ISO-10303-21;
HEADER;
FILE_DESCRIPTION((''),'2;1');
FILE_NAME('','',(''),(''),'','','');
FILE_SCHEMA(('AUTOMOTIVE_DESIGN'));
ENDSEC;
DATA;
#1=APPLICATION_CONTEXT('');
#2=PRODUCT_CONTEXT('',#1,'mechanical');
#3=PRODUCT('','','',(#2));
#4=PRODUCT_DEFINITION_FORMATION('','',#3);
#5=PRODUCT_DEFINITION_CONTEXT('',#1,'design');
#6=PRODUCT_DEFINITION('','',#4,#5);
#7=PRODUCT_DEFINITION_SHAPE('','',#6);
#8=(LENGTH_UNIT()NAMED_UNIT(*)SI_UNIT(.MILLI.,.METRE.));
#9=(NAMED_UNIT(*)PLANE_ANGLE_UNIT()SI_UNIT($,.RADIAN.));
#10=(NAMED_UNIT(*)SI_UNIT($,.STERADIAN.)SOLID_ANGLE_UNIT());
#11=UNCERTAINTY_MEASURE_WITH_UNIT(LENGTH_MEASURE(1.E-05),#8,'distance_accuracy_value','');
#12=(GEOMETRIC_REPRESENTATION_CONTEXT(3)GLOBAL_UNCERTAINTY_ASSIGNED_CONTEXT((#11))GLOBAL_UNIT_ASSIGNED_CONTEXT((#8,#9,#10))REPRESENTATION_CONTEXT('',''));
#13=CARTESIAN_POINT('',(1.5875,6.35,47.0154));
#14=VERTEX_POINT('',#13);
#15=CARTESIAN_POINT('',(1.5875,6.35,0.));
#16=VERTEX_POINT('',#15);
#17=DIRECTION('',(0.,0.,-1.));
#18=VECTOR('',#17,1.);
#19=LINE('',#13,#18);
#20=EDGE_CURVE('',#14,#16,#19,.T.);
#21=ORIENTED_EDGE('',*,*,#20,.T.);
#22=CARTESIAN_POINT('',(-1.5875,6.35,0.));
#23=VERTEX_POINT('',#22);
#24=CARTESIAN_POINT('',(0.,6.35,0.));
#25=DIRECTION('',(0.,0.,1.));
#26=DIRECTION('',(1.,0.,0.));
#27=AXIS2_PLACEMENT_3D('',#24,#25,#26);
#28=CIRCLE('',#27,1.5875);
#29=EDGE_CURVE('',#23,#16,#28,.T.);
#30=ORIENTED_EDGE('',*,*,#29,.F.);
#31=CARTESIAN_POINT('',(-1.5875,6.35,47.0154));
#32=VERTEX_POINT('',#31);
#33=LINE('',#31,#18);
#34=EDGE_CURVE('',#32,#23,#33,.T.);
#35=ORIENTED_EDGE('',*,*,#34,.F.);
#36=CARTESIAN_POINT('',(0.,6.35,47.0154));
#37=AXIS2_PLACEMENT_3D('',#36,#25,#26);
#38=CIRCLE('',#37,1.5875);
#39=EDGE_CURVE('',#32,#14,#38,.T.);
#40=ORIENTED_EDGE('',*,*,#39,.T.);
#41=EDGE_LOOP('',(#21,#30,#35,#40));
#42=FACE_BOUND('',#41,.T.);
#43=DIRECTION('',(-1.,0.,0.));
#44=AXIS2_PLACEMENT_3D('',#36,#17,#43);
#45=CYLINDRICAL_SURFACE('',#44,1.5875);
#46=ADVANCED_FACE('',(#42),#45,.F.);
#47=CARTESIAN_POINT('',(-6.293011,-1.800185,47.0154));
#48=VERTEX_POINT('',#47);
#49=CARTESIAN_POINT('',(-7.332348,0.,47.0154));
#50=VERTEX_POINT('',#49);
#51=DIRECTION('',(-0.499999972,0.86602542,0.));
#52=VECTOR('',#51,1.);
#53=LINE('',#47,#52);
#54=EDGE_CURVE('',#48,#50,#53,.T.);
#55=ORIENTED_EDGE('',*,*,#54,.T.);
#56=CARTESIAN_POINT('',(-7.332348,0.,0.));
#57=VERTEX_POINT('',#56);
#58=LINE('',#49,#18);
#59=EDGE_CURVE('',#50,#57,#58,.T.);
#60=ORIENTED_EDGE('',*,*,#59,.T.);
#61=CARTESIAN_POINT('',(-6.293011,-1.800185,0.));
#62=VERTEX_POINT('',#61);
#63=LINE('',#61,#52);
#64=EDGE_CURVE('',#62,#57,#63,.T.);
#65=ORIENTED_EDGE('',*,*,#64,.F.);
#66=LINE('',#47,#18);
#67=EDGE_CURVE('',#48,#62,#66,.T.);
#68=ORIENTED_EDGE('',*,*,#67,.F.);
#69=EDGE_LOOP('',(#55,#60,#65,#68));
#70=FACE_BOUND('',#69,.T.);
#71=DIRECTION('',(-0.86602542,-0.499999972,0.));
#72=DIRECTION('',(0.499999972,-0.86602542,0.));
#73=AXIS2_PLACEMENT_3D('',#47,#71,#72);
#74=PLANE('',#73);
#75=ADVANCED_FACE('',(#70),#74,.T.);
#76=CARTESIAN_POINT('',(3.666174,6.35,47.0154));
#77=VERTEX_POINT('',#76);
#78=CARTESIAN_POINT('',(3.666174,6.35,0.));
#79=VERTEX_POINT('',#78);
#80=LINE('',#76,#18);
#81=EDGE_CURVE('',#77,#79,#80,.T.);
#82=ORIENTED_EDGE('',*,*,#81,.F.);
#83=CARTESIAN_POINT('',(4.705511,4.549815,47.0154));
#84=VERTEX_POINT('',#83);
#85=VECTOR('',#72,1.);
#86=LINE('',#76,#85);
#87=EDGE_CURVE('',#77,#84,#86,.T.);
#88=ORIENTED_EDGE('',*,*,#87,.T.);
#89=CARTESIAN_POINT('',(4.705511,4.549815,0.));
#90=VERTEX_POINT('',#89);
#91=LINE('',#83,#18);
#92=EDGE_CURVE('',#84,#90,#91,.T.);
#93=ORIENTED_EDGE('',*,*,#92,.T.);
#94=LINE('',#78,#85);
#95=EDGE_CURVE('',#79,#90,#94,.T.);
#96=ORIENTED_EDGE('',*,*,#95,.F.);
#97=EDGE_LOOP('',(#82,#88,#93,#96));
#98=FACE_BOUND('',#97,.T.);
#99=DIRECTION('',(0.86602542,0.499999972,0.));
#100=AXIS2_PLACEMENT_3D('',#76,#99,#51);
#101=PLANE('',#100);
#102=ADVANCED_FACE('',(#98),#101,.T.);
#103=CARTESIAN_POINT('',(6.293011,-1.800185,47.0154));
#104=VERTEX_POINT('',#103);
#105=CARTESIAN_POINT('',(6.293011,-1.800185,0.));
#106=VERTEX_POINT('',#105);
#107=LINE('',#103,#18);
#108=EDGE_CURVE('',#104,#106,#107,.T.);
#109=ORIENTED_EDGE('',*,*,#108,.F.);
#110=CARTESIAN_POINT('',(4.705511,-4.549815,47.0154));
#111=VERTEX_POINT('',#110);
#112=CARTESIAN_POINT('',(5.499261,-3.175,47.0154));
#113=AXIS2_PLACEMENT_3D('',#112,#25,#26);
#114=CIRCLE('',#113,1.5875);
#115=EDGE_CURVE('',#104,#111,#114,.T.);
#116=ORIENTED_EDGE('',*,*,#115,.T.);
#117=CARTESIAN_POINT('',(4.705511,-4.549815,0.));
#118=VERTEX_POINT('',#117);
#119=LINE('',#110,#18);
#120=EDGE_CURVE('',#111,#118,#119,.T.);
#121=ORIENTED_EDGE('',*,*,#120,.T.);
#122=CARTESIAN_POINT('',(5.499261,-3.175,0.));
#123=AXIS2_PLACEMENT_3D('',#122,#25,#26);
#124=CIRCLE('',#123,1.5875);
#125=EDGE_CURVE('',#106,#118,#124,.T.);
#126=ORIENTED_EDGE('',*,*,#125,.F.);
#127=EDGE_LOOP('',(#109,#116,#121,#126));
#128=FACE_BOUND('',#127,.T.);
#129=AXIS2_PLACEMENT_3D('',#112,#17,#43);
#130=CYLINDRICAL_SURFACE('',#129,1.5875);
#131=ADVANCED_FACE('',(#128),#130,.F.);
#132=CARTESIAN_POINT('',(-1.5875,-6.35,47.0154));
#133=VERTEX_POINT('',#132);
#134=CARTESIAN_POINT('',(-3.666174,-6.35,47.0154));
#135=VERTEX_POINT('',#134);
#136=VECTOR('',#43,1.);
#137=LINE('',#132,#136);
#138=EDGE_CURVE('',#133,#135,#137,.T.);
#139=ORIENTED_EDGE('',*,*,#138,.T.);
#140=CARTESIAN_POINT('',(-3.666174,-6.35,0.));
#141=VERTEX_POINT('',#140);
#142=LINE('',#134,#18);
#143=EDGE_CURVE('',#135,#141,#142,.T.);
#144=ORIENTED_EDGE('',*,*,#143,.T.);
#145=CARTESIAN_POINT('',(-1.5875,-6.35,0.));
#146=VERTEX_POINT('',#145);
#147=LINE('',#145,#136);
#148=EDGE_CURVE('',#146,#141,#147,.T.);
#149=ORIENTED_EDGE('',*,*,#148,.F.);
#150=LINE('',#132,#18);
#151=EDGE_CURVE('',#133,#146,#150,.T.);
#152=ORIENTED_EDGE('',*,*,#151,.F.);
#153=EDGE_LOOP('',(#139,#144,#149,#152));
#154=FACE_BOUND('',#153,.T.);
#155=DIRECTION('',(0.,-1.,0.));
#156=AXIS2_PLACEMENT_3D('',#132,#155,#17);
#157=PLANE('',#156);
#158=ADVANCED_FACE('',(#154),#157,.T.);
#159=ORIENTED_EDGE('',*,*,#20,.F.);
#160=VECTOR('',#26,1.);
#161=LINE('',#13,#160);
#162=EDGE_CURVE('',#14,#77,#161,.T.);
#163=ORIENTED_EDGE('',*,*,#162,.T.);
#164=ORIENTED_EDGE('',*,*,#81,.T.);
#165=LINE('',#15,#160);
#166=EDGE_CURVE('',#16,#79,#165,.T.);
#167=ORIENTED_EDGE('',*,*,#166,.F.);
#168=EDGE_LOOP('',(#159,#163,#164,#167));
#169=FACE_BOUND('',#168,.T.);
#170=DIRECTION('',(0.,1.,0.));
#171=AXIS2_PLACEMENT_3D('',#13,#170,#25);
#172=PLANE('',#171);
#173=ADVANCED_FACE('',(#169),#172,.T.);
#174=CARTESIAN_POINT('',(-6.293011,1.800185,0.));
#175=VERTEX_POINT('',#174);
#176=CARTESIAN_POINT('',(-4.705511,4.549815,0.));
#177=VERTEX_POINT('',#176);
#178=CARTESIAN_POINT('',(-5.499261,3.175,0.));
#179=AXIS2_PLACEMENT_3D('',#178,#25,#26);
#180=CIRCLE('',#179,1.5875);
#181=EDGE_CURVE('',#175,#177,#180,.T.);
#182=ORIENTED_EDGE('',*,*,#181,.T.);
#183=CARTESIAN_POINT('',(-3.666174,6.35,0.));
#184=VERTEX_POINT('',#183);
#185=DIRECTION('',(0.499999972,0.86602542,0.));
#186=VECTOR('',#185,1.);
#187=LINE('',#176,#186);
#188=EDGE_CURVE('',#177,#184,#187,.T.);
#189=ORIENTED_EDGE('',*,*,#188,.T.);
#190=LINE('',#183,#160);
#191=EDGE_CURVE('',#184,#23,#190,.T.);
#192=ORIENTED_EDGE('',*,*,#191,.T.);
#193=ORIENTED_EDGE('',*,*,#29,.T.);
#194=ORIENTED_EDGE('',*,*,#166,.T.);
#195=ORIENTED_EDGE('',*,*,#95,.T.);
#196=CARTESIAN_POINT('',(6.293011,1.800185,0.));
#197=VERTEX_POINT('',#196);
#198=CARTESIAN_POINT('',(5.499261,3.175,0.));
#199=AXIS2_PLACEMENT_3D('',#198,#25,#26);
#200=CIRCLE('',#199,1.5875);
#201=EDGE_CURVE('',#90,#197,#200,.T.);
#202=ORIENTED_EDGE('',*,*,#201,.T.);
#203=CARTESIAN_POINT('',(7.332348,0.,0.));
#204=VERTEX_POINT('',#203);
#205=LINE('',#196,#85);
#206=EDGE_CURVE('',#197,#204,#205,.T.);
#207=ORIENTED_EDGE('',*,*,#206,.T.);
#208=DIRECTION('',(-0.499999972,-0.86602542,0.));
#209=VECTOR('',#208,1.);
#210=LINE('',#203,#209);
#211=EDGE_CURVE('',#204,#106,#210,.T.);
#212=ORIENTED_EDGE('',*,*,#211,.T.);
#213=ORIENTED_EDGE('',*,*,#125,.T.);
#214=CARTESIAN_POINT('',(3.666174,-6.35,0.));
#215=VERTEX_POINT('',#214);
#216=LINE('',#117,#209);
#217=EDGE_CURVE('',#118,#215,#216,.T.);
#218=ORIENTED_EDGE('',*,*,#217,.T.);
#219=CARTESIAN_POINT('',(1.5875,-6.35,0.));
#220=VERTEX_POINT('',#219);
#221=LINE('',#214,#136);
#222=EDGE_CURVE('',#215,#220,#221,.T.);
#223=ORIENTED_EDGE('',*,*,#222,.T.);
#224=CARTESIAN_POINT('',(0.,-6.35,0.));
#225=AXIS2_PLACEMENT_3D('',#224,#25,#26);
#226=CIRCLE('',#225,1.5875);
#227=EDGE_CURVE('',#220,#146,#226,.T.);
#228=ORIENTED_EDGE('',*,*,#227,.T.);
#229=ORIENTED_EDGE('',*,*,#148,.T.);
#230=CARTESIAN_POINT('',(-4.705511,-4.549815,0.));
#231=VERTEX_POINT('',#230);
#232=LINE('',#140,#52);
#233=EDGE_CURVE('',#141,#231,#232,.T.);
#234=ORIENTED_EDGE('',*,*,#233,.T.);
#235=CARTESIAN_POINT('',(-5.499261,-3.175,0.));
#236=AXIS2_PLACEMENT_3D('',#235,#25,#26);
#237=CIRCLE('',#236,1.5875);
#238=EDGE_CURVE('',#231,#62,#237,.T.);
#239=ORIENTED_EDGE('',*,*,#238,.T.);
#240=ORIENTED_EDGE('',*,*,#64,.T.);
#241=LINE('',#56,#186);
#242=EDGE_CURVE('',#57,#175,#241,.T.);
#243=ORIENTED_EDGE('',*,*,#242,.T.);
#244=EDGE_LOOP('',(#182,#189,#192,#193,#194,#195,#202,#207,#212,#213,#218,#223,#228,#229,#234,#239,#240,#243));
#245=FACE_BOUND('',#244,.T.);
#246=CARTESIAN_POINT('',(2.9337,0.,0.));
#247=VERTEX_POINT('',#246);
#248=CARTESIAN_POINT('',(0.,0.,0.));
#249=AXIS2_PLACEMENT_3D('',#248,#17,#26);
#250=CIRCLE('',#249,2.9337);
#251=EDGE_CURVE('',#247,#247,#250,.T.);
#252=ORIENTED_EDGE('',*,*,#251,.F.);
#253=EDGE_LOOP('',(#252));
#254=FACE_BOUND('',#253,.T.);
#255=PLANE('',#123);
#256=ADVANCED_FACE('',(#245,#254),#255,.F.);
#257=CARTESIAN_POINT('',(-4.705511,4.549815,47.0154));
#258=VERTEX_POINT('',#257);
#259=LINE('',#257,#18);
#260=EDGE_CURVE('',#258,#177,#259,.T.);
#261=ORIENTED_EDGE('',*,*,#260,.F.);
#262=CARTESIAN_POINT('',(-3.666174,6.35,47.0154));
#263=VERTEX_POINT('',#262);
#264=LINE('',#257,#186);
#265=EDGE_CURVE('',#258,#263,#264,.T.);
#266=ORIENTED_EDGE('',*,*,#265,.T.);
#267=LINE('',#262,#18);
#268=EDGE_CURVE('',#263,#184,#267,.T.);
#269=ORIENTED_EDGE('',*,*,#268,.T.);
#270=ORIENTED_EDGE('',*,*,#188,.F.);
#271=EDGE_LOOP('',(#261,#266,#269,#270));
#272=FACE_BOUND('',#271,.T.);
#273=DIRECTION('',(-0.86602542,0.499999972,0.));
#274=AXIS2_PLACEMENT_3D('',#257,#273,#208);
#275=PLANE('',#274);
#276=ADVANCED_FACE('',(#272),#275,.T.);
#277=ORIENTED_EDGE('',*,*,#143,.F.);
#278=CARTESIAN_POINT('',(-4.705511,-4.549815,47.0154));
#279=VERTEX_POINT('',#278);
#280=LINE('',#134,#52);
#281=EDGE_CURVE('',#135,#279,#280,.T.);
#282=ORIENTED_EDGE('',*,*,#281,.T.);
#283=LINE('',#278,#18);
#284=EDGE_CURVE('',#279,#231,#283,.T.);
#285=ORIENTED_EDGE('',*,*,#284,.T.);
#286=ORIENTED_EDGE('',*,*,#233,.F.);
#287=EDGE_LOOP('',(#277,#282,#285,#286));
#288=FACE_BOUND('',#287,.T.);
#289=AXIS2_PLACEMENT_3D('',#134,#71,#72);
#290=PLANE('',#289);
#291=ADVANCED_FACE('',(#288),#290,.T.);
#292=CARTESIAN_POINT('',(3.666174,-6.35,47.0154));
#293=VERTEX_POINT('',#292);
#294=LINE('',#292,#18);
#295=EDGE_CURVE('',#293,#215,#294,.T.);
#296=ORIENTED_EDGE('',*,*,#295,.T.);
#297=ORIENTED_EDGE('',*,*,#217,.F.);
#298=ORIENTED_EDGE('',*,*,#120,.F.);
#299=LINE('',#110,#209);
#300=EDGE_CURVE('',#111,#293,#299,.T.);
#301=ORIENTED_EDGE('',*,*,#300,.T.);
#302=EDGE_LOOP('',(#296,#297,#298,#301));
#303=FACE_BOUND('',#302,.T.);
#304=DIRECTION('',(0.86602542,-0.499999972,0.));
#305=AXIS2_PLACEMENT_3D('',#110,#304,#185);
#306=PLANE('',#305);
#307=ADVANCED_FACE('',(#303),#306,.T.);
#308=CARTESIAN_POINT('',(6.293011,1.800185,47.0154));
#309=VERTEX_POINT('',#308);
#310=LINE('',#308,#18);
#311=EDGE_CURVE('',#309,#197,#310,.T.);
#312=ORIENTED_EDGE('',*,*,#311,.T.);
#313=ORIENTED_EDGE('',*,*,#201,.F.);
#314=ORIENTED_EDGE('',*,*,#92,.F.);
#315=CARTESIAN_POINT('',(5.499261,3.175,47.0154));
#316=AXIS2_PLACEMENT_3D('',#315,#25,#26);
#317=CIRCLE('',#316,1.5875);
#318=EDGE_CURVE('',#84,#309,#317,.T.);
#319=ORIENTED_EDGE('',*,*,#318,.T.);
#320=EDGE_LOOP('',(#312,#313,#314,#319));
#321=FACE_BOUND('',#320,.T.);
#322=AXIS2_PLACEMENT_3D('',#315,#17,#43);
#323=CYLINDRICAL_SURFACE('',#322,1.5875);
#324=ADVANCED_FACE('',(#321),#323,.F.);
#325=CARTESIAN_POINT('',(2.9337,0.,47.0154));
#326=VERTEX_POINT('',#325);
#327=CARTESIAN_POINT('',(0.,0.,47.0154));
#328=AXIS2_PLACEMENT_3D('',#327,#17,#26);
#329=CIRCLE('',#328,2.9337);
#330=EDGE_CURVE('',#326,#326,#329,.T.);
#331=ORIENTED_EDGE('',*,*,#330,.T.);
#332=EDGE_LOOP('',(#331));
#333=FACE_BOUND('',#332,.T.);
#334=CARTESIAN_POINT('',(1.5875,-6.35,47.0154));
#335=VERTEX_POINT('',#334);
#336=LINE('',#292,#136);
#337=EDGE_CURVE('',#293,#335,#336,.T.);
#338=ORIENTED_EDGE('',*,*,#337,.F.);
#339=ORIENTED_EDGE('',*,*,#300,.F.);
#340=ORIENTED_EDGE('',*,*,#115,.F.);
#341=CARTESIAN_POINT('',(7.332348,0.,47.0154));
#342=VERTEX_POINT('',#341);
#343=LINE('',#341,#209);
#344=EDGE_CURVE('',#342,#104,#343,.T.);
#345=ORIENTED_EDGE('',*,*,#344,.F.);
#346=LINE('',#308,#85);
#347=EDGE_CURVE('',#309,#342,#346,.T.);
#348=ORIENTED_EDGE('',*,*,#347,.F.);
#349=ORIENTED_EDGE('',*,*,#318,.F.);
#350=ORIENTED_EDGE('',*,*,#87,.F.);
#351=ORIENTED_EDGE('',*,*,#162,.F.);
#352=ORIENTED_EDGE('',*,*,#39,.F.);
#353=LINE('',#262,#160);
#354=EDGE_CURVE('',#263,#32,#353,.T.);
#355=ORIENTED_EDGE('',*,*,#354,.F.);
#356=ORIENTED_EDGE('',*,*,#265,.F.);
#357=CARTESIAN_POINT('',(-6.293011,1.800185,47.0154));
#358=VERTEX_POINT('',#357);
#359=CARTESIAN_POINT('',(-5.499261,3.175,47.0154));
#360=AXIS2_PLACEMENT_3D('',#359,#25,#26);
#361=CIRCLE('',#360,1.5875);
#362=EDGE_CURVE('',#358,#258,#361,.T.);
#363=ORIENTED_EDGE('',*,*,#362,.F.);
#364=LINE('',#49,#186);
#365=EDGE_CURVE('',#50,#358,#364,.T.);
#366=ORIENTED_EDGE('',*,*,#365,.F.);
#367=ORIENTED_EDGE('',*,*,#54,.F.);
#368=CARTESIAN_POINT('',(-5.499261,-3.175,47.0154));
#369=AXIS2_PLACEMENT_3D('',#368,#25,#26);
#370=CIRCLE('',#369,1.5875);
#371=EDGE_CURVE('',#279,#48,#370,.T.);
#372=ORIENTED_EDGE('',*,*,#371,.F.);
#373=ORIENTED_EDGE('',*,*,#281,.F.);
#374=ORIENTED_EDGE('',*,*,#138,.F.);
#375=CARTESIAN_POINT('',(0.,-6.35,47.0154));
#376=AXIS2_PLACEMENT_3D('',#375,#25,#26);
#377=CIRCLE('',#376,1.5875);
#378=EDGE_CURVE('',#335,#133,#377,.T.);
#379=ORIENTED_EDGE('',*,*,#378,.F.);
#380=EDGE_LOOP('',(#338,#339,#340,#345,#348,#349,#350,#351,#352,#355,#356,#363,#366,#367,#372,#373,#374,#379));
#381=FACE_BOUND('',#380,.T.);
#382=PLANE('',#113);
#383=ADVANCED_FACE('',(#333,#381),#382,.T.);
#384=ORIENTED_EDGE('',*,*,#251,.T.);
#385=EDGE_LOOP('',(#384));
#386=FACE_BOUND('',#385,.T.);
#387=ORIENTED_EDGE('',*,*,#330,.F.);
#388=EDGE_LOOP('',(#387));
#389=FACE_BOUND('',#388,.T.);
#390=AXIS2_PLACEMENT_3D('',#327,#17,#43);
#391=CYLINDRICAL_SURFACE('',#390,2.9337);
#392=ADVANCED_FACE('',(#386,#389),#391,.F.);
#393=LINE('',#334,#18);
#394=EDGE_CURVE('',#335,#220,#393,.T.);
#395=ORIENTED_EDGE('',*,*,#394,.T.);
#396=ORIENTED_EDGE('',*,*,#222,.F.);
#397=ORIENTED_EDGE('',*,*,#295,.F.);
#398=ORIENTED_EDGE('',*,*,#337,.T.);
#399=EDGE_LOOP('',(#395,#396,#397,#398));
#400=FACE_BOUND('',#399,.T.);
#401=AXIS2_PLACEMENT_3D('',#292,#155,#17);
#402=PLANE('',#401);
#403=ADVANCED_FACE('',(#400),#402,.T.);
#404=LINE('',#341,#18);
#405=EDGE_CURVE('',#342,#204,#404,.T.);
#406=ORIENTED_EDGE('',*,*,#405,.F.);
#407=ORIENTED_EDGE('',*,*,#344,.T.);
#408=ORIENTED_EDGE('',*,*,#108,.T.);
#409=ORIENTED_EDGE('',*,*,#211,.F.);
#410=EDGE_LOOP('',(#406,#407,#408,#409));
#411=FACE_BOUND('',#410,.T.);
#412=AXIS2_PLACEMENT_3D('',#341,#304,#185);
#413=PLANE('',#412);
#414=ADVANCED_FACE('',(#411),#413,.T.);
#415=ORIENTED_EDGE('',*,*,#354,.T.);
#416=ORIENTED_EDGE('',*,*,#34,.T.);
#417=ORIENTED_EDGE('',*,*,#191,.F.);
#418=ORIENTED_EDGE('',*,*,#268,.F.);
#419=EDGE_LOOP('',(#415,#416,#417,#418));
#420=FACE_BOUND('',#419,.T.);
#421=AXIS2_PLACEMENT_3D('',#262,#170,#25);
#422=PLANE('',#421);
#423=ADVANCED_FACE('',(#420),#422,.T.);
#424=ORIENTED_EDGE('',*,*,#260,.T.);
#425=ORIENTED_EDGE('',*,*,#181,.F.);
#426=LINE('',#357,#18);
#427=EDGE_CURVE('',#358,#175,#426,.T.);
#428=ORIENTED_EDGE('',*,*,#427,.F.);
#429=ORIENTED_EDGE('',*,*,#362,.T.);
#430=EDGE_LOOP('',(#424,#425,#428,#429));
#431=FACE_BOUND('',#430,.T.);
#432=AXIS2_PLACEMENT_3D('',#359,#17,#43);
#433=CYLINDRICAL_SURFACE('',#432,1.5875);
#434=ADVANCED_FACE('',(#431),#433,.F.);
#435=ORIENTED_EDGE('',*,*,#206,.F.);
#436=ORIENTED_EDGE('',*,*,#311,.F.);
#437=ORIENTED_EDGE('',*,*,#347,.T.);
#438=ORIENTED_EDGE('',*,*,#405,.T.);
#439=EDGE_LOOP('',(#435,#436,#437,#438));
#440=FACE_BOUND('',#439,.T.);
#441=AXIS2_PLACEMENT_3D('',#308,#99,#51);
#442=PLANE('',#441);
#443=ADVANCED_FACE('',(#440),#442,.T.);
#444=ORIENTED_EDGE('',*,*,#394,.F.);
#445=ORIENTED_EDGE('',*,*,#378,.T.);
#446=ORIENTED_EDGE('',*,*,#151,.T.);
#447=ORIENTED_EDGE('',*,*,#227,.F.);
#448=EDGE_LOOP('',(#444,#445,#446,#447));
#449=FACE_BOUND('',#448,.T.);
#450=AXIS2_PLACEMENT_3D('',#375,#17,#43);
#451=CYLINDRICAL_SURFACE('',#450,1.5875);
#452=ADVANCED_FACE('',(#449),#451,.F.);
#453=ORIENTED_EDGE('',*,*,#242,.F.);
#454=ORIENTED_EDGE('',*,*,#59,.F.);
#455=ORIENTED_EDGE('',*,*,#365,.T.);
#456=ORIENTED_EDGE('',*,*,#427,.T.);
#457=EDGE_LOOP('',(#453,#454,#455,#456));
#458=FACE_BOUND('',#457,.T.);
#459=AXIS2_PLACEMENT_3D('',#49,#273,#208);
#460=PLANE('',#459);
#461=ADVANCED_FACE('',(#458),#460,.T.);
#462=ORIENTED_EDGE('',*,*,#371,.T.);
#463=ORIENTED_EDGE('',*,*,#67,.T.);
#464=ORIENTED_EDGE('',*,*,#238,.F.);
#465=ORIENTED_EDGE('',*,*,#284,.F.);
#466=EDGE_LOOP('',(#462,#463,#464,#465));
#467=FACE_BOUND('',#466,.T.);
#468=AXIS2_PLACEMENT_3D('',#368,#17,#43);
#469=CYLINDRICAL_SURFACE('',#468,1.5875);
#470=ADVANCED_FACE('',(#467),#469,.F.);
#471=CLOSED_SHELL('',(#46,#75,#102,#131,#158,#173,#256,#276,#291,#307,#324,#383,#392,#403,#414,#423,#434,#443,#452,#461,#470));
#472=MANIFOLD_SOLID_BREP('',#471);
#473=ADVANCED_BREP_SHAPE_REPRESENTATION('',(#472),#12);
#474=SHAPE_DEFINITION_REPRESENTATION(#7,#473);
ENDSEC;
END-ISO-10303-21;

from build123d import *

# Parameters (mm, degrees)
SKETCH1_R           = 2.9337
BOSS_EXTRUDE1_DEPTH = 47.0154


with BuildPart() as part:
    # Sketch1 → Boss-Extrude1 (new body)
    with BuildSketch(Plane(origin=(0, 0, 0), x_dir=(-1, 0, 0), z_dir=(0, 0, -1))):
        with BuildLine():
            Line((-4.705511279, -4.549815428), (-3.666174225, -6.350000147))
            Line((-3.666174225, -6.350000147), (-1.5875, -6.350000147))
            ThreePointArc((-1.5875, -6.350000147), (0, -4.762500147), (1.5875, -6.350000147))
            Line((1.5875, -6.350000147), (3.666174225, -6.350000147))
            Line((3.666174225, -6.350000147), (4.705511279, -4.549815428))
            ThreePointArc((4.705511279, -4.549815428), (4.124445879, -2.381250118), (6.293011189, -1.800184719))
            Line((6.293011189, -1.800184719), (7.332348243, 0))
            Line((7.332348243, 0), (6.293011189, 1.800184719))
            ThreePointArc((6.293011189, 1.800184719), (4.124445879, 2.381250118), (4.705511279, 4.549815428))
            Line((4.705511279, 4.549815428), (3.666174225, 6.350000147))
            Line((3.666174225, 6.350000147), (1.5875, 6.350000147))
            ThreePointArc((1.5875, 6.350000147), (0, 4.762500147), (-1.5875, 6.350000147))
            Line((-1.5875, 6.350000147), (-3.666174225, 6.350000147))
            Line((-3.666174225, 6.350000147), (-4.705511279, 4.549815428))
            ThreePointArc((-4.705511279, 4.549815428), (-4.124445879, 2.381250118), (-6.293011189, 1.800184719))
            Line((-6.293011189, 1.800184719), (-7.332348243, 0))
            Line((-7.332348243, 0), (-6.293011189, -1.800184719))
            ThreePointArc((-6.293011189, -1.800184719), (-4.124445879, -2.381250118), (-4.705511279, -4.549815428))
        make_face()
        Circle(SKETCH1_R, mode=Mode.SUBTRACT)
    extrude(amount=-BOSS_EXTRUDE1_DEPTH)


solid = part.part
